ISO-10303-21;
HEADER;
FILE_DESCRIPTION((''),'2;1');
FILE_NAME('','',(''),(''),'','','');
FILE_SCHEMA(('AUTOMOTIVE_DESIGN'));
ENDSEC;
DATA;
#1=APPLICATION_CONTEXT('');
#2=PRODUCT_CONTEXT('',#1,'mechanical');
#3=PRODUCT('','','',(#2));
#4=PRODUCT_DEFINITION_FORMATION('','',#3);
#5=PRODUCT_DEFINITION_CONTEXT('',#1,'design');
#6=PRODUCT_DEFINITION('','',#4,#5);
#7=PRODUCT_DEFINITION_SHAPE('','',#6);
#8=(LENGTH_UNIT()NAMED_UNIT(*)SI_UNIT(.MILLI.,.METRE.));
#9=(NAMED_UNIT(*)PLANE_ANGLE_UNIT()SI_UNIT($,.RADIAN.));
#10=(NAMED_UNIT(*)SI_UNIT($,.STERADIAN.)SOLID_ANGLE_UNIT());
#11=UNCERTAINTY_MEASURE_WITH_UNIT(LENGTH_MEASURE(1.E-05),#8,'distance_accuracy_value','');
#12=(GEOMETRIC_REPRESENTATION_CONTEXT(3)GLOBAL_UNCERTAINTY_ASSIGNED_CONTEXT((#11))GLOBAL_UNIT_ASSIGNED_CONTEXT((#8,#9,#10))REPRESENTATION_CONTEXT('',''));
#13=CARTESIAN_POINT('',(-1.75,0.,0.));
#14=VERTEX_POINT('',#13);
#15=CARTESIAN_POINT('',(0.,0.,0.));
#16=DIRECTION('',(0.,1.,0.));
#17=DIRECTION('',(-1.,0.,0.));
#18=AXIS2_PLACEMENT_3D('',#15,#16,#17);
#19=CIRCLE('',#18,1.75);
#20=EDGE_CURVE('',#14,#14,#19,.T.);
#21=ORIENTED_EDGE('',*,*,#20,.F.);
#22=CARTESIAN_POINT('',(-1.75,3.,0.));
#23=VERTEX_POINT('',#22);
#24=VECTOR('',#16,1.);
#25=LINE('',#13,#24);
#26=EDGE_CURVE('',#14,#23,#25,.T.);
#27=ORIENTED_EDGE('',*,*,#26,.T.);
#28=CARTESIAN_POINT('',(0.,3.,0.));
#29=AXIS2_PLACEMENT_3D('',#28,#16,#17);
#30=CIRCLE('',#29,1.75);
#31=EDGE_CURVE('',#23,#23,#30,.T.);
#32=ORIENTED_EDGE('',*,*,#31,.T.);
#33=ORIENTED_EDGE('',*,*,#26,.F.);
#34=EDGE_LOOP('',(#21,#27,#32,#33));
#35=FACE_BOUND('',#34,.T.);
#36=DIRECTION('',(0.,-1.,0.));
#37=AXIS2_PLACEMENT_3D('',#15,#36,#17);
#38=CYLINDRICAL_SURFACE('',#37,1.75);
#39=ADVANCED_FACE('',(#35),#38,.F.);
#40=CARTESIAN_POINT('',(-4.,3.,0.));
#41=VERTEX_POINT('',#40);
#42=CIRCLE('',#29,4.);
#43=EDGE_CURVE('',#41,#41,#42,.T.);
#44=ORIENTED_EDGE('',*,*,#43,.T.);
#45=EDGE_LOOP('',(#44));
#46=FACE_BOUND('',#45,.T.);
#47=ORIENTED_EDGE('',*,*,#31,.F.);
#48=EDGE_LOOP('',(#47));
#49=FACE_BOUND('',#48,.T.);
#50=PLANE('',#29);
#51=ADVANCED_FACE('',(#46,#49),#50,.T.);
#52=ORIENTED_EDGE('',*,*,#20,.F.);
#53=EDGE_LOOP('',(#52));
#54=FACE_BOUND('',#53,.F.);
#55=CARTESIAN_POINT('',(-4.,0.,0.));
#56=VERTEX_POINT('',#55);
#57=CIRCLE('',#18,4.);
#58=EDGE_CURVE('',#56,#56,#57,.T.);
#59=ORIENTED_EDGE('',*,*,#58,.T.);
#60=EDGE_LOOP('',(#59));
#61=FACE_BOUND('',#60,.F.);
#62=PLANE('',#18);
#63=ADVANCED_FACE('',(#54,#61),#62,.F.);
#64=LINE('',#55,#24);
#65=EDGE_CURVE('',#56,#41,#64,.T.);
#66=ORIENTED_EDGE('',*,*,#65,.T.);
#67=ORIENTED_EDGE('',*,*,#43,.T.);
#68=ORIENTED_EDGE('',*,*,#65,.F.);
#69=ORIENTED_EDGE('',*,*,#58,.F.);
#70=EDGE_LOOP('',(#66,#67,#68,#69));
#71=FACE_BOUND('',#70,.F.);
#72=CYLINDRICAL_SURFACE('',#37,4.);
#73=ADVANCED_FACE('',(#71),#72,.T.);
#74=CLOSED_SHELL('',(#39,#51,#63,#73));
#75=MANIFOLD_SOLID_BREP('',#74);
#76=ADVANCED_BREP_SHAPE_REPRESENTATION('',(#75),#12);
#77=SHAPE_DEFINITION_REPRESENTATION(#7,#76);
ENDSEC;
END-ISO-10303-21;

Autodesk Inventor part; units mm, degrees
ref_plane "YZ Plane" through (0, 0, 0) normal (1, 0, 0) x (0, 1, 0)
ref_plane "XZ Plane" through (0, 0, 0) normal (0, 1, 0) x (-1, 0, 0)
ref_plane "XY Plane" through (0, 0, 0) normal (0, 0, 1) x (1, 0, 0)
sketch "Sketch1" plane through (0, 0, 0) normal (0, 1, 0) x (-1, 0, 0)
  circle A0 centre (0, 0) radius 1.75
  circle A1 centre (0, 0) radius 4
  dimension "d0" = 3.5
  dimension "d1" = 8
extrude "Extrusion1" add sketch "Sketch1" along normal blind 3
properties part number "M3_Spacer"
